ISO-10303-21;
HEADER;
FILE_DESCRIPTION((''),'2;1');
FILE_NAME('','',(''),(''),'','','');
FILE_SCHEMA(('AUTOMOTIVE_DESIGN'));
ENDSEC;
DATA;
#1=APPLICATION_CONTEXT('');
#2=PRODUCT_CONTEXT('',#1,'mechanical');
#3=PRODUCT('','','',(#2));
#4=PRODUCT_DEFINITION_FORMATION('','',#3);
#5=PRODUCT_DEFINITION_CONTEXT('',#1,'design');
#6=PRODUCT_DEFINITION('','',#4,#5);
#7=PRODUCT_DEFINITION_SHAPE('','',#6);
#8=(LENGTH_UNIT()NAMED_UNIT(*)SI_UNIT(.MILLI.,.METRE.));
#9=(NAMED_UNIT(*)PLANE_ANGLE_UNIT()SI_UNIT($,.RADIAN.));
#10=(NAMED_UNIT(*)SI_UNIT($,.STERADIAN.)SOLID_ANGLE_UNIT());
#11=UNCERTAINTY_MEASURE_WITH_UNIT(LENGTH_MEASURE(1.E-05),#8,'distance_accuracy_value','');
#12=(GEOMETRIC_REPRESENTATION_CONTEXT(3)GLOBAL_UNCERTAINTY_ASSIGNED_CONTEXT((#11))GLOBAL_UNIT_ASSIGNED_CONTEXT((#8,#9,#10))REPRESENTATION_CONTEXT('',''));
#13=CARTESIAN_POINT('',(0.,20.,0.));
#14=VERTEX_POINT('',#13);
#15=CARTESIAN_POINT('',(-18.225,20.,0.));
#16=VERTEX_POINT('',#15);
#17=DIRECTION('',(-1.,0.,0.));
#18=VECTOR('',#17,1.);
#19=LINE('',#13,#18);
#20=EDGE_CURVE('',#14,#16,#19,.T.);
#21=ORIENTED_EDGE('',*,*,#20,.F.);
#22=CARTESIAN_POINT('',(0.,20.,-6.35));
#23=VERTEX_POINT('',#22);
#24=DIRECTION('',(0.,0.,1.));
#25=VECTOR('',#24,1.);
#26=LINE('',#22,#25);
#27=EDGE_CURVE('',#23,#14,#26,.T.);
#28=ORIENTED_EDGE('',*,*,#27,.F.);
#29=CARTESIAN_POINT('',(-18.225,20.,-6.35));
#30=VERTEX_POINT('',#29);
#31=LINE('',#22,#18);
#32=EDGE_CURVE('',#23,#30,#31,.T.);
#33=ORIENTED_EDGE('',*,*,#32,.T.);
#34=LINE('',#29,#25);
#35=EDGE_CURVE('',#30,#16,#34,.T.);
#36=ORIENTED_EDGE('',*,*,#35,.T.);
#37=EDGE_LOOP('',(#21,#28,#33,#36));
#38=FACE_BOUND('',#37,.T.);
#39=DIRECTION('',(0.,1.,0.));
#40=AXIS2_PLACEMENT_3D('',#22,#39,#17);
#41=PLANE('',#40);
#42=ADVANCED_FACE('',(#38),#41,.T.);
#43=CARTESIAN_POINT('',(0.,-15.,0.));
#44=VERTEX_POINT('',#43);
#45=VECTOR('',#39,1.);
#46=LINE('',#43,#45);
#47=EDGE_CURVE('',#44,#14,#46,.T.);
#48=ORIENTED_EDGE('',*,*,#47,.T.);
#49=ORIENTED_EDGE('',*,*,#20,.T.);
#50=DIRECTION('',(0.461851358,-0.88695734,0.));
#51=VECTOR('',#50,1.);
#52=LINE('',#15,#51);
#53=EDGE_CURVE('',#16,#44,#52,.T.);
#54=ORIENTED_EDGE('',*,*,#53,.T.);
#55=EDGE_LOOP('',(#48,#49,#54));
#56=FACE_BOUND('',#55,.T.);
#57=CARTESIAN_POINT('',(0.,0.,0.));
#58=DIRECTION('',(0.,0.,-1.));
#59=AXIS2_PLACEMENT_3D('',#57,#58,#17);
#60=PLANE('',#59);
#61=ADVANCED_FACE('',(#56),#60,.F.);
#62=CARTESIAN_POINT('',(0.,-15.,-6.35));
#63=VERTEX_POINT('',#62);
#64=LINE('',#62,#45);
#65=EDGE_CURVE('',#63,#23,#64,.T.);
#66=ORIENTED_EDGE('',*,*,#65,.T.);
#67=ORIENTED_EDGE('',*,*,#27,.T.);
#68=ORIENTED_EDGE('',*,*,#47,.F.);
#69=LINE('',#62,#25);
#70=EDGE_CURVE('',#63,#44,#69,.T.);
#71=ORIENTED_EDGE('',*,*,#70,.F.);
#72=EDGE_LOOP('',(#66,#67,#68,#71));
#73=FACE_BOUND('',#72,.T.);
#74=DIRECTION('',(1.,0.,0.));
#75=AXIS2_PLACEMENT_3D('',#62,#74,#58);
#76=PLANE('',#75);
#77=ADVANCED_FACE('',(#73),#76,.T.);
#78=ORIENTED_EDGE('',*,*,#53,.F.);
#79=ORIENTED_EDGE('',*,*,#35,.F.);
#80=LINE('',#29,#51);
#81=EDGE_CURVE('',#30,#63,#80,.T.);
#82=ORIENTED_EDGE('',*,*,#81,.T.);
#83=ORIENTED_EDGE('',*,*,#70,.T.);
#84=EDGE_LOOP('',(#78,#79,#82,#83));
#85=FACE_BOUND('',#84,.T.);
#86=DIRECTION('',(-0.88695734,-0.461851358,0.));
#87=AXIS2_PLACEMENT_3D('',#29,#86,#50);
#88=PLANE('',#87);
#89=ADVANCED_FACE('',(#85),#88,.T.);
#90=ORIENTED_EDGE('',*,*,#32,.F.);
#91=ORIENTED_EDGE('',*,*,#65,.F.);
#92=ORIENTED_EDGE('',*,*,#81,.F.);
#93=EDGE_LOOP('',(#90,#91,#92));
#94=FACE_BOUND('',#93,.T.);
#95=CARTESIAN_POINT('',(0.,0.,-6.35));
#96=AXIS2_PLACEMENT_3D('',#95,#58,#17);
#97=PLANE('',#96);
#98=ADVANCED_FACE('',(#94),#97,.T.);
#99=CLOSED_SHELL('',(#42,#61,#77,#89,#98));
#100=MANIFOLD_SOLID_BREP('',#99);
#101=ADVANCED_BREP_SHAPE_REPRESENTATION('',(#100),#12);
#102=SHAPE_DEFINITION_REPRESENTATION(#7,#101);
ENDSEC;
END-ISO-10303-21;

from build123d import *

# Parameters (mm, degrees)
BOSS_EXTRUDE1_DEPTH = 6.35


with BuildPart() as part:
    # Sketch1 → Boss-Extrude1 (new body)
    with BuildSketch(Plane.XY):
        Polygon((0, -15), (0, 20), (-18.225, 20), align=None)
    extrude(amount=-BOSS_EXTRUDE1_DEPTH)


solid = part.part
